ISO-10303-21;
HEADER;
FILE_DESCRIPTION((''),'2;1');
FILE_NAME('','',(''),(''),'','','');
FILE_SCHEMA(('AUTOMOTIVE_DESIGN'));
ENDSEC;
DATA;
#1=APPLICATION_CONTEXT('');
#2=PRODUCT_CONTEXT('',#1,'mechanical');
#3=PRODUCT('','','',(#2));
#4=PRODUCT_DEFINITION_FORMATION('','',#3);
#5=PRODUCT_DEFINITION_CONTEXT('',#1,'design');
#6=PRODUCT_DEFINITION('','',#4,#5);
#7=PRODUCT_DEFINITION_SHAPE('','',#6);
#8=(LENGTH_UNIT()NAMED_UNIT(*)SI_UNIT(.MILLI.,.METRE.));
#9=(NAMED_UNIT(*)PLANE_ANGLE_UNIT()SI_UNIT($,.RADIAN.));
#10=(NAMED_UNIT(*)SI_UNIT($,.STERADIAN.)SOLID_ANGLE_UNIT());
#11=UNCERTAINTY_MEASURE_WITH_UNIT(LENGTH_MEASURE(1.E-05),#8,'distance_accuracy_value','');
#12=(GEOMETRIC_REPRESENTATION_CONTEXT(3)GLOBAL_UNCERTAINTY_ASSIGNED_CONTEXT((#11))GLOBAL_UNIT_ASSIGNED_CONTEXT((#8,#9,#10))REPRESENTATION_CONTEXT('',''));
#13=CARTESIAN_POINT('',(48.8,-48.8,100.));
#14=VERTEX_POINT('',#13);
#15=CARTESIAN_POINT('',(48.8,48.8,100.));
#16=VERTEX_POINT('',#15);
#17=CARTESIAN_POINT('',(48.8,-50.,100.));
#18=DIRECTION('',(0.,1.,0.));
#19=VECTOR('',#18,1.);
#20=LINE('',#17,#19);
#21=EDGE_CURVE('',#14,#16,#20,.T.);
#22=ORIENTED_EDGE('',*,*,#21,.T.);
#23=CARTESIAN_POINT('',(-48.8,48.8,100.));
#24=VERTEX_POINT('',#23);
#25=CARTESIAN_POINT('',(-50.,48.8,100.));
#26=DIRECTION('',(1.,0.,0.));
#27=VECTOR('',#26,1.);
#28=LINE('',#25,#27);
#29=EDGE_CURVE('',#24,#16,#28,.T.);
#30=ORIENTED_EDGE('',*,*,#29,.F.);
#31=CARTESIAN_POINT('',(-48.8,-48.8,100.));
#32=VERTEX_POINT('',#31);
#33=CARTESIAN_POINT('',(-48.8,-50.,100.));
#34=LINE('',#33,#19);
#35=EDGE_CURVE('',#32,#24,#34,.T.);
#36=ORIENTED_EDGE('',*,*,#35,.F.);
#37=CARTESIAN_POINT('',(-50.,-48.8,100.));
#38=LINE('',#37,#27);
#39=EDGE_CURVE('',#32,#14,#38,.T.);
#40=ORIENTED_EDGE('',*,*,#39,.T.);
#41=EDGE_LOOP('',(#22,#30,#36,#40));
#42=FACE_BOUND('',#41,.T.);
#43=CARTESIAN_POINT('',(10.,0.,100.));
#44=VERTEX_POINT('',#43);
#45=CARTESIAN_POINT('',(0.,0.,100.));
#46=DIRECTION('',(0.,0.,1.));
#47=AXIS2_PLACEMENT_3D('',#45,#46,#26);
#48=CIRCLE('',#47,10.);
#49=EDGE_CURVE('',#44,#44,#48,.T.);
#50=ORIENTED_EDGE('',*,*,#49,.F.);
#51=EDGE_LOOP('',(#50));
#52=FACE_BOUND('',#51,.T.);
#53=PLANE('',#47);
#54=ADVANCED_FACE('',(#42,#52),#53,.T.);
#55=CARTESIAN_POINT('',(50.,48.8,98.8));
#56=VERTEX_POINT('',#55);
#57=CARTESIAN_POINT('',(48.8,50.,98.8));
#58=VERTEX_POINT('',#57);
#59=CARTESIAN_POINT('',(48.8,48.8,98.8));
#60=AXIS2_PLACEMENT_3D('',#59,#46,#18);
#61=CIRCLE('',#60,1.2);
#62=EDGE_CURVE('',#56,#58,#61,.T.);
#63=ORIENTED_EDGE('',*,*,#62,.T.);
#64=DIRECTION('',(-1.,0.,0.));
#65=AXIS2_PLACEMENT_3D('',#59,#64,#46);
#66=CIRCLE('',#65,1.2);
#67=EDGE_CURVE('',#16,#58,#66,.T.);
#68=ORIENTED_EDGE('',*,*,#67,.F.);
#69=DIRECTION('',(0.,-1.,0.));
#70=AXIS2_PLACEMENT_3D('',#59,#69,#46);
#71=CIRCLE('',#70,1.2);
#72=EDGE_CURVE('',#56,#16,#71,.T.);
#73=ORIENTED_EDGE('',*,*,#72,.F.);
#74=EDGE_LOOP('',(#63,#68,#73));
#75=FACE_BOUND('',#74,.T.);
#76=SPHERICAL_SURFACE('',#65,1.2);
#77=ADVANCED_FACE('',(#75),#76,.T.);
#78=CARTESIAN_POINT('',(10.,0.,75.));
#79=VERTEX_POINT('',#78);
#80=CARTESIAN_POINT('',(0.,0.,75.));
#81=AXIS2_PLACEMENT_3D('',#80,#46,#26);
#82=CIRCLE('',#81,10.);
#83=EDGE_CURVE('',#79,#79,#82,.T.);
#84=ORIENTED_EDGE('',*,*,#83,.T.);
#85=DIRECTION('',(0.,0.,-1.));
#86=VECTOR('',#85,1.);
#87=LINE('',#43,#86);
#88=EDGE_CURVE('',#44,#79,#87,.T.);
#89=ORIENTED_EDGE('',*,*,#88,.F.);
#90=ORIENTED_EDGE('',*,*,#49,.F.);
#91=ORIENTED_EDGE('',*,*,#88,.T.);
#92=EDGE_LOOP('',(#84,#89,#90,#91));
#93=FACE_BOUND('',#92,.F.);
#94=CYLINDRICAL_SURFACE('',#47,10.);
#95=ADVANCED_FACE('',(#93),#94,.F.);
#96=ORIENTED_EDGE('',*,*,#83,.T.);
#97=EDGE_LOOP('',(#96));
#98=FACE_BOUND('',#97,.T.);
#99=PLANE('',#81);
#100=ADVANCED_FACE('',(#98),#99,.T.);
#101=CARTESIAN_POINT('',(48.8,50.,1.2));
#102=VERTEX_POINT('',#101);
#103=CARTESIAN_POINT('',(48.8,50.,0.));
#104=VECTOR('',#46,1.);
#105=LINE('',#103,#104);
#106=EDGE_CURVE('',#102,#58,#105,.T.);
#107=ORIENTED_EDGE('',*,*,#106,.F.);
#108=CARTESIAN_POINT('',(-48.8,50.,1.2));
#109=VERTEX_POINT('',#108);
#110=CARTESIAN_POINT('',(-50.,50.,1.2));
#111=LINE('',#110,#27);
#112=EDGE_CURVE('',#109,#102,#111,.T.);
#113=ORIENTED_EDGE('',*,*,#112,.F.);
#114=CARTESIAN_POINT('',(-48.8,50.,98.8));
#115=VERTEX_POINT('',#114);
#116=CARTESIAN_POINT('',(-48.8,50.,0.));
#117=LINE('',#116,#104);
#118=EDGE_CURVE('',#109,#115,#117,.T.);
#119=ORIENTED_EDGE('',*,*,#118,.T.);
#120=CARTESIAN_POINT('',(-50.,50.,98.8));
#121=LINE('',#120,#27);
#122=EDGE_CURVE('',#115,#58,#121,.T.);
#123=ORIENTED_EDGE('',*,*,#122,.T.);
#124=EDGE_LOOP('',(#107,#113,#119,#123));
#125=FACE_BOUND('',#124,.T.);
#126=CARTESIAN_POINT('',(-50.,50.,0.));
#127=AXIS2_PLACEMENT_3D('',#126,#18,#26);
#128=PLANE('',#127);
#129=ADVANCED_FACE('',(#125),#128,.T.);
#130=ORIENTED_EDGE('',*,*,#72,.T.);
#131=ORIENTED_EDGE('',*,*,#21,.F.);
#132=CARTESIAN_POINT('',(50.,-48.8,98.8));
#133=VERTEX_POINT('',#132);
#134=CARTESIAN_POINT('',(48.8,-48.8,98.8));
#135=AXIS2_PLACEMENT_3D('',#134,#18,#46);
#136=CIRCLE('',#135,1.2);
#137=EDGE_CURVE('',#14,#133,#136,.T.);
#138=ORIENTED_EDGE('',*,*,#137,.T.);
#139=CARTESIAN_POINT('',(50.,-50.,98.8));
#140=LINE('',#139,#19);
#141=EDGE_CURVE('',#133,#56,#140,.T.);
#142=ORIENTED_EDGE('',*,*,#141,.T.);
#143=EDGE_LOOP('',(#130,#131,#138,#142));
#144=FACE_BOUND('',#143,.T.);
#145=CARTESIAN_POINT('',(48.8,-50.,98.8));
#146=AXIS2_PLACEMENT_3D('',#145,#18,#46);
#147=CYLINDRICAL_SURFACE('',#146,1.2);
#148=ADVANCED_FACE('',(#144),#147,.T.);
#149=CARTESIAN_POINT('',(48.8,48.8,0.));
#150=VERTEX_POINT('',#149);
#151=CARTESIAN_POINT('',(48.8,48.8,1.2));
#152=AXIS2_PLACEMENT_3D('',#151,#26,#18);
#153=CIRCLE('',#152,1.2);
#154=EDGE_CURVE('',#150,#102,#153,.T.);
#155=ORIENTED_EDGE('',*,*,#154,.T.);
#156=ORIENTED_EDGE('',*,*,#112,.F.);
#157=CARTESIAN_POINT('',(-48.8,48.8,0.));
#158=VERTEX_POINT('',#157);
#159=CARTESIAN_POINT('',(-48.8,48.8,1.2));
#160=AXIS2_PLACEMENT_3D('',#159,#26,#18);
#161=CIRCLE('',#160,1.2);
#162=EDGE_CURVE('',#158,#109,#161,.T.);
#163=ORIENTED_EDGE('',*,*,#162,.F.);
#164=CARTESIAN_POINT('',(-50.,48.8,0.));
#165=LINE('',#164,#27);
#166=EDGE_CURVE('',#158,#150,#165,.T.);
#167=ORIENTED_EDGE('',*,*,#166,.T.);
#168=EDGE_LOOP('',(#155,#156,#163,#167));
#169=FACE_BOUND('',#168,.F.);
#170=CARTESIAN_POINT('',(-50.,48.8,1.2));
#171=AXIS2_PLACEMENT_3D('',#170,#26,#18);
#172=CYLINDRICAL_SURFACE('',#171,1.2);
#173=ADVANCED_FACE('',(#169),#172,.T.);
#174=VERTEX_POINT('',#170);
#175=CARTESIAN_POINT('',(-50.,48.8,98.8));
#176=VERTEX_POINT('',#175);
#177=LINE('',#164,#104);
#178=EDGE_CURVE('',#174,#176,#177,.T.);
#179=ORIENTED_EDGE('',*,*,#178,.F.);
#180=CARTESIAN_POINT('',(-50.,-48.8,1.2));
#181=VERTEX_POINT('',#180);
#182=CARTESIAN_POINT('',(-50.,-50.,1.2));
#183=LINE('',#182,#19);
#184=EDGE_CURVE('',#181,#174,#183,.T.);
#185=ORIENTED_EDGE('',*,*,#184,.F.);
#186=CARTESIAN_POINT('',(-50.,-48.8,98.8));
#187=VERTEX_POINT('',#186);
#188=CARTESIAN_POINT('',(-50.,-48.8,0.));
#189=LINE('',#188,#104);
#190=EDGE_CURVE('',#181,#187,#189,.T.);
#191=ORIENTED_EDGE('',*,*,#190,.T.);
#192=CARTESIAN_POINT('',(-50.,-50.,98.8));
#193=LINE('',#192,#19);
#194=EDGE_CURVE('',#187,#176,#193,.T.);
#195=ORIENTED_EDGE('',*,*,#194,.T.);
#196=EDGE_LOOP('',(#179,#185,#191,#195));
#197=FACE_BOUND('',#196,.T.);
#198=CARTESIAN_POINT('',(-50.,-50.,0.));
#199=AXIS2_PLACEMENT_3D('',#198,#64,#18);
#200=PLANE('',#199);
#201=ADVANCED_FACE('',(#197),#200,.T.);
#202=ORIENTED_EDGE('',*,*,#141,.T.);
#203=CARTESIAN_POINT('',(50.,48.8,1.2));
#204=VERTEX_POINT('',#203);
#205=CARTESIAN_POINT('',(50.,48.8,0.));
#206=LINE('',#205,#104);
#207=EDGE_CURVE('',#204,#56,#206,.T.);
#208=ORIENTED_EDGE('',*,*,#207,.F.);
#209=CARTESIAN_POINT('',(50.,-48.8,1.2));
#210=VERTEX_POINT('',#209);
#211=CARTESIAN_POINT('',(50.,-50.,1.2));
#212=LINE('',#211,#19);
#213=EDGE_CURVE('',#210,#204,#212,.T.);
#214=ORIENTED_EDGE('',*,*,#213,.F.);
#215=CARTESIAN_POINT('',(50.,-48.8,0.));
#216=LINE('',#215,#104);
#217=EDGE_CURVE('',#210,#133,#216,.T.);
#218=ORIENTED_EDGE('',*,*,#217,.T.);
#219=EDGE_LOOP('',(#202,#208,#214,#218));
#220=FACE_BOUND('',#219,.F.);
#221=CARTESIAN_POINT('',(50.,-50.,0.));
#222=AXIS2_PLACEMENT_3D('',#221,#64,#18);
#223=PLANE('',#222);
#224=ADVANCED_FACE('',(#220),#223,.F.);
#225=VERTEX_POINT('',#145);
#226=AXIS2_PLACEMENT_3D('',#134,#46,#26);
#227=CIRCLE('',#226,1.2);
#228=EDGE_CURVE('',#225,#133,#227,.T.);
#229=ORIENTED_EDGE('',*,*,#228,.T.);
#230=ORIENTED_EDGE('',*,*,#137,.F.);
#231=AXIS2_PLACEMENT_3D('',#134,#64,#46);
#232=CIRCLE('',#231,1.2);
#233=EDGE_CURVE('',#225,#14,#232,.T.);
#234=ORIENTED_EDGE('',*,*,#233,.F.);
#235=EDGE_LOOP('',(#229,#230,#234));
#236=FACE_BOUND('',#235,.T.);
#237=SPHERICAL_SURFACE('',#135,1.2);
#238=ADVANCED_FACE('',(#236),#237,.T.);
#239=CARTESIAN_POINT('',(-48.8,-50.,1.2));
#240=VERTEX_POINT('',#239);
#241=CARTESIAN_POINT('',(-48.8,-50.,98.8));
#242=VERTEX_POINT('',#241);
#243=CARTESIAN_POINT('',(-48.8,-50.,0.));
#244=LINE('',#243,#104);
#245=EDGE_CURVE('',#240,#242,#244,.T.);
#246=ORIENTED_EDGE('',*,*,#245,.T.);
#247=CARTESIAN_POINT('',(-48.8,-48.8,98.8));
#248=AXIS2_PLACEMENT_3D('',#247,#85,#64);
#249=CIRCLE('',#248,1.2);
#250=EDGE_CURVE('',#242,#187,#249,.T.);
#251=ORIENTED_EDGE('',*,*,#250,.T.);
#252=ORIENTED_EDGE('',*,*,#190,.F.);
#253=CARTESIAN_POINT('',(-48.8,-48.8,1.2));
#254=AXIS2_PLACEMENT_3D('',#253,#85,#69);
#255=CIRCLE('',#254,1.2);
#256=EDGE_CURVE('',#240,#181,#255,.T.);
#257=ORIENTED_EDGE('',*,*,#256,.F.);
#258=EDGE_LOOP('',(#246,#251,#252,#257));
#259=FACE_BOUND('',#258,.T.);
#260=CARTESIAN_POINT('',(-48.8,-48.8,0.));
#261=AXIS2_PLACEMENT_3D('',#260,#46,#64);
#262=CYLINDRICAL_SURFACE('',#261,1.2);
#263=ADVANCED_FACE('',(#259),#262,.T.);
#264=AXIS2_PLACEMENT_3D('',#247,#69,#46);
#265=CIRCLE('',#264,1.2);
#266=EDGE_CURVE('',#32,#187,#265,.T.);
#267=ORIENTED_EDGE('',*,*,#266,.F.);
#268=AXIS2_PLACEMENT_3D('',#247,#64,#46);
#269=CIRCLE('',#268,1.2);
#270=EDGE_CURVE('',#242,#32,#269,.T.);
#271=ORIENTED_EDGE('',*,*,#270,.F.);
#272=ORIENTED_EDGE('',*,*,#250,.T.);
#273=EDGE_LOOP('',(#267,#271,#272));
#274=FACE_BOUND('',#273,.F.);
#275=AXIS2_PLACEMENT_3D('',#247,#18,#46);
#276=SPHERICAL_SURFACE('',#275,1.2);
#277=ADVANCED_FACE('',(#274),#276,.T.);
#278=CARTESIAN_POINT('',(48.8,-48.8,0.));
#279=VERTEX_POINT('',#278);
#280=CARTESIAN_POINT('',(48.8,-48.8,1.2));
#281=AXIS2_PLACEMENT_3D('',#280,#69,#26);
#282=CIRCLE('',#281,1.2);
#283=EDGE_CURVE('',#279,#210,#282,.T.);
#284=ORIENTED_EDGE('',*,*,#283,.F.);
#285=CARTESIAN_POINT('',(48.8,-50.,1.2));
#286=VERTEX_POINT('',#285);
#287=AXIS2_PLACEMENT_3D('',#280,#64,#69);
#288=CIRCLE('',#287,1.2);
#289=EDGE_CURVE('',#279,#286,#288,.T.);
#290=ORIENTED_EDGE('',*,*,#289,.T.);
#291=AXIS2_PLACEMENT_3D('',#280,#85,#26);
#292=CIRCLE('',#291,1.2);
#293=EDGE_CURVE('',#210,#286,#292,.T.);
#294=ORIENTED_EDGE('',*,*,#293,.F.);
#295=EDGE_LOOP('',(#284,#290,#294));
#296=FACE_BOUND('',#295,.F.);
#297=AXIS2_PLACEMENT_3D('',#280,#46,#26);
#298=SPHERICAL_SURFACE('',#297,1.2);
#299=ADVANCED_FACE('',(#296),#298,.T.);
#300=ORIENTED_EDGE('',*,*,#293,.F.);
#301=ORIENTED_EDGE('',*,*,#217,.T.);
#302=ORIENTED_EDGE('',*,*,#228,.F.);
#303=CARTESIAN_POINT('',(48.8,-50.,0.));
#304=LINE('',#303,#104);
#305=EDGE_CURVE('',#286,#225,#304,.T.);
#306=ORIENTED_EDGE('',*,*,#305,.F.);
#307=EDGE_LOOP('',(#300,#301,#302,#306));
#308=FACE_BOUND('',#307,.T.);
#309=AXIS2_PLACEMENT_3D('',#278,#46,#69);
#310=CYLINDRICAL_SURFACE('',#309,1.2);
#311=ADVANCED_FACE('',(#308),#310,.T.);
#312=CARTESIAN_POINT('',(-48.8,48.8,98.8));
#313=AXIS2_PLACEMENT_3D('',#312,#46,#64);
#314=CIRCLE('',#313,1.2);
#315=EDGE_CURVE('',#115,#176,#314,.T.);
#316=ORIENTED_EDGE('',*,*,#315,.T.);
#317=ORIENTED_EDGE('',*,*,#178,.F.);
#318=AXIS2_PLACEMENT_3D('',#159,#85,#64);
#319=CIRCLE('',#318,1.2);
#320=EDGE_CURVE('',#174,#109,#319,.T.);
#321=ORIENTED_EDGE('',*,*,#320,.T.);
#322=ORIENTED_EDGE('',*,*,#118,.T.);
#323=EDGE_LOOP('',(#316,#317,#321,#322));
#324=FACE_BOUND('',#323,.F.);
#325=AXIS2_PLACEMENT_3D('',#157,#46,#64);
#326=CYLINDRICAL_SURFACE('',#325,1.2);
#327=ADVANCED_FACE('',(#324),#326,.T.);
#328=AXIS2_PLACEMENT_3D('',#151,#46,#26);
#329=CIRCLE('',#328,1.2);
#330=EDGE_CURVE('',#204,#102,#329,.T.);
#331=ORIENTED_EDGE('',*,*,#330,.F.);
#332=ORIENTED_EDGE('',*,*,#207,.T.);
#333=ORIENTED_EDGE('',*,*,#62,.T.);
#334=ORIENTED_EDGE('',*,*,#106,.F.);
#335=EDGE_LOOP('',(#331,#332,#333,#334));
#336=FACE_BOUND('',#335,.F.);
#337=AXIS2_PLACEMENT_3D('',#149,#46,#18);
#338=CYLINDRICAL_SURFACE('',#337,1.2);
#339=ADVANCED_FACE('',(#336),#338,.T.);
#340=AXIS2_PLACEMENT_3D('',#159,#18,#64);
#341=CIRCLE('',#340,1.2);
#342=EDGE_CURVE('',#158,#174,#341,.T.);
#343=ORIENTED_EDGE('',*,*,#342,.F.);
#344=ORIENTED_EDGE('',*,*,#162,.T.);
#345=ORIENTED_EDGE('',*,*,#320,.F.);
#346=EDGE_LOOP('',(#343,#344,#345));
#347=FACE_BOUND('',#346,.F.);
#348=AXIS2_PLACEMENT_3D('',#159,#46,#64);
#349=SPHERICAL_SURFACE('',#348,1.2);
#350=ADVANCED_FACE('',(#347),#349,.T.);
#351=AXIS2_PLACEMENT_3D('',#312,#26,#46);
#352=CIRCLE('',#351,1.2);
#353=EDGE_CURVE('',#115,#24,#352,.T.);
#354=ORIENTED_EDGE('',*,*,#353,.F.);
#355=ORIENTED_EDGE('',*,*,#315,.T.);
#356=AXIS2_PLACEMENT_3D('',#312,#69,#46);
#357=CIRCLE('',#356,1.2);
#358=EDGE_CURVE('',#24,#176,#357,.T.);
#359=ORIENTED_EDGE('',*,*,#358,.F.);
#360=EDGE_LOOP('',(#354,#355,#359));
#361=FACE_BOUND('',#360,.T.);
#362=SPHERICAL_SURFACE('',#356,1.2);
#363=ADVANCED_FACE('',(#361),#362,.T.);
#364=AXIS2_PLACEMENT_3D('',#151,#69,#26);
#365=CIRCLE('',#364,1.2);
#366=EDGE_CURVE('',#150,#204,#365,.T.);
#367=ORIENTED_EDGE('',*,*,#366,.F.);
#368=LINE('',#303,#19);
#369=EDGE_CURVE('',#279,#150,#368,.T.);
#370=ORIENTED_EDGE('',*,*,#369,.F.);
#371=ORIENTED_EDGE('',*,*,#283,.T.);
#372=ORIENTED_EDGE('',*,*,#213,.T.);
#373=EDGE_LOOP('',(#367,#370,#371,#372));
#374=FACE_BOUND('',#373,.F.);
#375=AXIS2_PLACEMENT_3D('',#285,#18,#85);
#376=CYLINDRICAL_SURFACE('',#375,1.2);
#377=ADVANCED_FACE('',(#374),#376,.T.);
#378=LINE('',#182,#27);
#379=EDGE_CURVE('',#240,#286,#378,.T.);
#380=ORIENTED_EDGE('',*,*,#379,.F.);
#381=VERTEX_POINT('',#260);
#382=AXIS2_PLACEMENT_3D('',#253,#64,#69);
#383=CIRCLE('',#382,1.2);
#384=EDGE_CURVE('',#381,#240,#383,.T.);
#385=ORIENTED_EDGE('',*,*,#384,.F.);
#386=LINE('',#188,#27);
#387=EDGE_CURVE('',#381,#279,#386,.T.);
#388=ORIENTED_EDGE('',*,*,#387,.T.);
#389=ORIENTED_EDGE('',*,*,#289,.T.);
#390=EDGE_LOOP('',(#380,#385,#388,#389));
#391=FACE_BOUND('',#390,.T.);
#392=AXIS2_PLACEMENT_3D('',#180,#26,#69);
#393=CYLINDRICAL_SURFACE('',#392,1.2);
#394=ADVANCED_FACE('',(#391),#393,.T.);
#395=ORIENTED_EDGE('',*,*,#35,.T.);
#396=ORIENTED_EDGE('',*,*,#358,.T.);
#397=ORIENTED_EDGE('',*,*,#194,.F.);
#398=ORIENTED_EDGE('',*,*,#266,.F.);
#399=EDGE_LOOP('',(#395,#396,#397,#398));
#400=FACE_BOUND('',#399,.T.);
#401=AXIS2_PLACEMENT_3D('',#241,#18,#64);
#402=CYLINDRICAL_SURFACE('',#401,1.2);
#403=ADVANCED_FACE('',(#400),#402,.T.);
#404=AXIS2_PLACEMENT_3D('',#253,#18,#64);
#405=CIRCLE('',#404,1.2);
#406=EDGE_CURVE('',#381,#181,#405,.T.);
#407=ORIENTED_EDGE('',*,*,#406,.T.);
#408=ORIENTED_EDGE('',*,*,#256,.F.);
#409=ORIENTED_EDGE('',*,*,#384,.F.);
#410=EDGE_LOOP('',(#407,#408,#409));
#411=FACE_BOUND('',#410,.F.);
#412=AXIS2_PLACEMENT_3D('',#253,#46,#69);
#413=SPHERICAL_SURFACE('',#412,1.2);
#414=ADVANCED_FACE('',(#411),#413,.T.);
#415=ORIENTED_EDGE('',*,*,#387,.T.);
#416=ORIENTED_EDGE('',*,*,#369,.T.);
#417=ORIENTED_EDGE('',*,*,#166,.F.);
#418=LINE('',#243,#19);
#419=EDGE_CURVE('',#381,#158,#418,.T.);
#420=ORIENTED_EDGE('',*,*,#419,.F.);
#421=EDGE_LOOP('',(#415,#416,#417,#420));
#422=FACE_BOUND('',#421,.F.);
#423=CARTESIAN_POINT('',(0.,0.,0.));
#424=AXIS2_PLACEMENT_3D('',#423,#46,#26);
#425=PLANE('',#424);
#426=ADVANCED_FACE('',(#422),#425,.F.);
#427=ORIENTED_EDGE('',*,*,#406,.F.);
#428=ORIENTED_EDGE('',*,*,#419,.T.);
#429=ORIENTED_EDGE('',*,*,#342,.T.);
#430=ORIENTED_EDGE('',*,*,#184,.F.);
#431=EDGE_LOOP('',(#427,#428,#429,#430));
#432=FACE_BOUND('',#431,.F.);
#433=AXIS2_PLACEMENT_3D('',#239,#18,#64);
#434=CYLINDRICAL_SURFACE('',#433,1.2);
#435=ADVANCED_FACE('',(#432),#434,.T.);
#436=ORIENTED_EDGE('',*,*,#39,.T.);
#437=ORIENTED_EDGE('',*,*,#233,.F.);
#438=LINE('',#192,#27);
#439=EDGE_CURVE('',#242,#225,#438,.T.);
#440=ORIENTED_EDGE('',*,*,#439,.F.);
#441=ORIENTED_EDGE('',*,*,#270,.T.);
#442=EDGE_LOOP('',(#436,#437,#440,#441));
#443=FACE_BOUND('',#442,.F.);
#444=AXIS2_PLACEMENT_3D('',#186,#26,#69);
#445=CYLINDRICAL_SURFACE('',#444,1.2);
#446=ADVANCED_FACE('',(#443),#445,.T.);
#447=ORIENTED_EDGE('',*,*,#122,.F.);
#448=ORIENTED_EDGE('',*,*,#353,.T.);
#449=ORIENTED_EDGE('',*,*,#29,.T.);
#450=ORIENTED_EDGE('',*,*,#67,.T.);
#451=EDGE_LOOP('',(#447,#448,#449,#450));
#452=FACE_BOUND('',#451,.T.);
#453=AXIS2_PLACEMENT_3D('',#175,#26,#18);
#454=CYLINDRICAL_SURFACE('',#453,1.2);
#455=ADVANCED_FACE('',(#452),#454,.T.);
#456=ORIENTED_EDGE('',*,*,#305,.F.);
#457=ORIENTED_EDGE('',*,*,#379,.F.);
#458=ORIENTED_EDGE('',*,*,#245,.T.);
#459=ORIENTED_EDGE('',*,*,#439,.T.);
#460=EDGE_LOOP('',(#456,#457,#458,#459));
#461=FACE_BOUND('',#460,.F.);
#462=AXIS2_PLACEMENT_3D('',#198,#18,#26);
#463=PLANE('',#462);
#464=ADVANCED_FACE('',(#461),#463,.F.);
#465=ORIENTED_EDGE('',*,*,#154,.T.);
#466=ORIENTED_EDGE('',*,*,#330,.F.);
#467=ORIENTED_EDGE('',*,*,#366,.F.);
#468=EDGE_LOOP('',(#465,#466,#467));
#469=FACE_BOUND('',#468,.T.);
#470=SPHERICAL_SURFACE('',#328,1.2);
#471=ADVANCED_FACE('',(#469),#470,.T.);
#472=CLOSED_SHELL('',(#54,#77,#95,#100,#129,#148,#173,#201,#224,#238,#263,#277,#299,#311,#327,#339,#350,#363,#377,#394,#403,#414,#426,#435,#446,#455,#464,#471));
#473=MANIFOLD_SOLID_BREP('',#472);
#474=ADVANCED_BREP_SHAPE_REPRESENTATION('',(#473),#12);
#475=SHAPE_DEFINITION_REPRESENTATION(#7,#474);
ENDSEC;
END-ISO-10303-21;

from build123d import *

# Parameters (mm, degrees)
F0_W     = 100
F0_H     = 100
F1_DEPTH = 100
F2_R     = 10
F3_DEPTH = 25
F4_R     = 1.2


with BuildPart() as f1:
    # F0 (on Top) → F1 (new body)
    with BuildSketch(Plane.XY):
        Rectangle(F0_W, F0_H)
    extrude(amount=F1_DEPTH)

    # F2 (on face) → F3 (cut)
    with BuildSketch(Plane.XY.offset(100)):
        Circle(F2_R)
    extrude(amount=-F3_DEPTH, mode=Mode.SUBTRACT)

    # F4
    f4_edges = [f1.edges().sort_by_distance(p)[0] for p in [
        (-50, 0, 100),
        (0, 50, 100),
        (50, 0, 100),
        (0, -50, 100),
        (-50, -50, 50),
        (-50, 50, 50),
        (50, -50, 50),
        (50, 50, 50),
        (50, 0, 0),
        (0, -50, 0),
        (-50, 0, 0),
        (0, 50, 0),
    ]]
    fillet(f4_edges, radius=F4_R)


solid = f1.part
